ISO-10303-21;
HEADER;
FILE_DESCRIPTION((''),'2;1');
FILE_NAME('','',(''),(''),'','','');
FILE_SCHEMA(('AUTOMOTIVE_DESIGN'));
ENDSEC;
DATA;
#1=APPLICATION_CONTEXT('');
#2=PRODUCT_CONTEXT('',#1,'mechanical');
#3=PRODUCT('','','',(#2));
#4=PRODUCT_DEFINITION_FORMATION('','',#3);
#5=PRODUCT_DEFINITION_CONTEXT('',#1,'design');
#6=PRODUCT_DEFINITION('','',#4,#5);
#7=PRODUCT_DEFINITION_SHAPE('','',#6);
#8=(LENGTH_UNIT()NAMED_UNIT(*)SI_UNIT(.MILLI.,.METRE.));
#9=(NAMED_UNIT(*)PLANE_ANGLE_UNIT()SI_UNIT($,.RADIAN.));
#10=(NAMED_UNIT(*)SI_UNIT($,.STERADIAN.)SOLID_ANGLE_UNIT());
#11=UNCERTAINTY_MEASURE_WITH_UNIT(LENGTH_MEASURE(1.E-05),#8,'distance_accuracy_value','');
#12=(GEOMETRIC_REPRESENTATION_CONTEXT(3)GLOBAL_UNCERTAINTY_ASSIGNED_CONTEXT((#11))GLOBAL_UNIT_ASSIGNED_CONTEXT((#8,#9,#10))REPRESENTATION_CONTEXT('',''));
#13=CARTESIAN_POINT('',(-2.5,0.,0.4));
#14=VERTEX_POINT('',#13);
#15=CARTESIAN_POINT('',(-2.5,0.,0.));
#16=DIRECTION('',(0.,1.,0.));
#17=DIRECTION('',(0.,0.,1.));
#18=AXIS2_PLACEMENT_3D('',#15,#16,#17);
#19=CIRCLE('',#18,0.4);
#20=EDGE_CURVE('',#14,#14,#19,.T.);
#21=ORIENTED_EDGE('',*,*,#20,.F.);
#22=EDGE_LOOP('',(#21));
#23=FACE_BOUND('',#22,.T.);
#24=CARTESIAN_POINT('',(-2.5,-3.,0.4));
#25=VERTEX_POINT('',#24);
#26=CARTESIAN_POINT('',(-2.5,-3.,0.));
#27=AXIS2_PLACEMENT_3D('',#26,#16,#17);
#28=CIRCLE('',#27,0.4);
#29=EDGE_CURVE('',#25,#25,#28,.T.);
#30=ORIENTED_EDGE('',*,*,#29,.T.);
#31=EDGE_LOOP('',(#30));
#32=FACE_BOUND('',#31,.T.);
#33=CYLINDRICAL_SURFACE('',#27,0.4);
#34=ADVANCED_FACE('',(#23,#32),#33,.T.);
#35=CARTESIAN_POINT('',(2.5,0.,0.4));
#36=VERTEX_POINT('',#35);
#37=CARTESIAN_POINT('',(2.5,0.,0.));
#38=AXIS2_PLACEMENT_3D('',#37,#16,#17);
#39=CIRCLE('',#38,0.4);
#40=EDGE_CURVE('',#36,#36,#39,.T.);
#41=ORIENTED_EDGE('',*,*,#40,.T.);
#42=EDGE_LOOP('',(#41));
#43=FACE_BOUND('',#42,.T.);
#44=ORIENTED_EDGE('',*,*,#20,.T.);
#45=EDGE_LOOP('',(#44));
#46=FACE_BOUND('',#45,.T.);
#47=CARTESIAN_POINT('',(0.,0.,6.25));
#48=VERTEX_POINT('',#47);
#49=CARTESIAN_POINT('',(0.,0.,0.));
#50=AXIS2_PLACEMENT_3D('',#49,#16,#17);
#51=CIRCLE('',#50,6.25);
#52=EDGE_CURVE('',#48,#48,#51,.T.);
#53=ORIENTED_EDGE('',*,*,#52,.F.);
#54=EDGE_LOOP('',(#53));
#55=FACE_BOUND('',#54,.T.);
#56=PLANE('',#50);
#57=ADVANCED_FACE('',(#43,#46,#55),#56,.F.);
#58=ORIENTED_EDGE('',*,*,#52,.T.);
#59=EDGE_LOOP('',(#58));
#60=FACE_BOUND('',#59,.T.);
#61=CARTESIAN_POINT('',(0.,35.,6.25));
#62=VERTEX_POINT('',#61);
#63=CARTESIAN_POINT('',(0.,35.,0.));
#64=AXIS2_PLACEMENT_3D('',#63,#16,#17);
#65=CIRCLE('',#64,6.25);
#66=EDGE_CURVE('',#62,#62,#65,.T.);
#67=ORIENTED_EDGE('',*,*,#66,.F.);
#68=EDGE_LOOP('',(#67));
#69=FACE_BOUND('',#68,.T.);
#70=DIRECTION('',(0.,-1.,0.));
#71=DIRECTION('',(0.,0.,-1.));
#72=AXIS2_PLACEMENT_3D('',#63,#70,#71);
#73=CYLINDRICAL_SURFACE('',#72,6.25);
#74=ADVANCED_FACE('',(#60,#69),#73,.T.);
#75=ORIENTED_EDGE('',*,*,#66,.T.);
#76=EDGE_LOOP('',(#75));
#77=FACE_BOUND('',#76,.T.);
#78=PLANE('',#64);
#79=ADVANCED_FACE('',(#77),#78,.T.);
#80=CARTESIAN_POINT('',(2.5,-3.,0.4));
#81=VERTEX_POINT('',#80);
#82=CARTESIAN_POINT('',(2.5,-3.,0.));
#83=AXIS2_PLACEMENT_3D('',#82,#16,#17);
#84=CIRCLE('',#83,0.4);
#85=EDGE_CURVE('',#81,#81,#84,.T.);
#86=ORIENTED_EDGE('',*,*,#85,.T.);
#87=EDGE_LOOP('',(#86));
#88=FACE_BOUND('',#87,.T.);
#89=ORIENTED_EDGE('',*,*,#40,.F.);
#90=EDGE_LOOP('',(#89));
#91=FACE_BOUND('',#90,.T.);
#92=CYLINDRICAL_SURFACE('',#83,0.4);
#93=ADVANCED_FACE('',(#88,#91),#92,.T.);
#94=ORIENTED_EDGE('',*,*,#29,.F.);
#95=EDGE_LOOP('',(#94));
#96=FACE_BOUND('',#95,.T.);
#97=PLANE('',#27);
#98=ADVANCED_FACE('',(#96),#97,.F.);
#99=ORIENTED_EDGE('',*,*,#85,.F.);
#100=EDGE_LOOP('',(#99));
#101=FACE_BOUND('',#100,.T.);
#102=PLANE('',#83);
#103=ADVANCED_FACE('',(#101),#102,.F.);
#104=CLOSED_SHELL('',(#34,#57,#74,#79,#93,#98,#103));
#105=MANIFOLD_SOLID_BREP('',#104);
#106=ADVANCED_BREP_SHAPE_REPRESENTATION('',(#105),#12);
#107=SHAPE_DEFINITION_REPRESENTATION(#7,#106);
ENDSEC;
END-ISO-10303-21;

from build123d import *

# Parameters (mm, degrees)
SKETCH_1_R      = 0.4
EXTRUDE_2_DEPTH = 3
SKETCH_2_R      = 0.4
EXTRUDE_3_DEPTH = 3
SKETCH_3_R      = 6.25
EXTRUDE_4_DEPTH = 35


with BuildPart() as part:
    # 草图1 → 凸台-拉伸2 (new body)
    with BuildSketch(Plane(origin=(0, 0, 0), x_dir=(1, 0, 0), z_dir=(0, 1, 0))):
        with Locations((-2.5, 0)):
            Circle(SKETCH_1_R)
    extrude(amount=-EXTRUDE_2_DEPTH)



with BuildPart() as body_2:
    # 草图2 → 凸台-拉伸3 (new body)
    with BuildSketch(Plane(origin=(0, 0, 0), x_dir=(1, 0, 0), z_dir=(0, 1, 0))):
        with Locations((2.5, 0)):
            Circle(SKETCH_2_R)
    extrude(amount=-EXTRUDE_3_DEPTH)


with BuildPart() as part_1:
    add(part.part)

    add(body_2.part)  # 凸台-拉伸4 merges body 2
    # 草图3 → 凸台-拉伸4 (add)
    with BuildSketch(Plane(origin=(0, 0, 0), x_dir=(1, 0, 0), z_dir=(0, 1, 0))):
        Circle(SKETCH_3_R)
    extrude(amount=EXTRUDE_4_DEPTH)


solid = part_1.part
